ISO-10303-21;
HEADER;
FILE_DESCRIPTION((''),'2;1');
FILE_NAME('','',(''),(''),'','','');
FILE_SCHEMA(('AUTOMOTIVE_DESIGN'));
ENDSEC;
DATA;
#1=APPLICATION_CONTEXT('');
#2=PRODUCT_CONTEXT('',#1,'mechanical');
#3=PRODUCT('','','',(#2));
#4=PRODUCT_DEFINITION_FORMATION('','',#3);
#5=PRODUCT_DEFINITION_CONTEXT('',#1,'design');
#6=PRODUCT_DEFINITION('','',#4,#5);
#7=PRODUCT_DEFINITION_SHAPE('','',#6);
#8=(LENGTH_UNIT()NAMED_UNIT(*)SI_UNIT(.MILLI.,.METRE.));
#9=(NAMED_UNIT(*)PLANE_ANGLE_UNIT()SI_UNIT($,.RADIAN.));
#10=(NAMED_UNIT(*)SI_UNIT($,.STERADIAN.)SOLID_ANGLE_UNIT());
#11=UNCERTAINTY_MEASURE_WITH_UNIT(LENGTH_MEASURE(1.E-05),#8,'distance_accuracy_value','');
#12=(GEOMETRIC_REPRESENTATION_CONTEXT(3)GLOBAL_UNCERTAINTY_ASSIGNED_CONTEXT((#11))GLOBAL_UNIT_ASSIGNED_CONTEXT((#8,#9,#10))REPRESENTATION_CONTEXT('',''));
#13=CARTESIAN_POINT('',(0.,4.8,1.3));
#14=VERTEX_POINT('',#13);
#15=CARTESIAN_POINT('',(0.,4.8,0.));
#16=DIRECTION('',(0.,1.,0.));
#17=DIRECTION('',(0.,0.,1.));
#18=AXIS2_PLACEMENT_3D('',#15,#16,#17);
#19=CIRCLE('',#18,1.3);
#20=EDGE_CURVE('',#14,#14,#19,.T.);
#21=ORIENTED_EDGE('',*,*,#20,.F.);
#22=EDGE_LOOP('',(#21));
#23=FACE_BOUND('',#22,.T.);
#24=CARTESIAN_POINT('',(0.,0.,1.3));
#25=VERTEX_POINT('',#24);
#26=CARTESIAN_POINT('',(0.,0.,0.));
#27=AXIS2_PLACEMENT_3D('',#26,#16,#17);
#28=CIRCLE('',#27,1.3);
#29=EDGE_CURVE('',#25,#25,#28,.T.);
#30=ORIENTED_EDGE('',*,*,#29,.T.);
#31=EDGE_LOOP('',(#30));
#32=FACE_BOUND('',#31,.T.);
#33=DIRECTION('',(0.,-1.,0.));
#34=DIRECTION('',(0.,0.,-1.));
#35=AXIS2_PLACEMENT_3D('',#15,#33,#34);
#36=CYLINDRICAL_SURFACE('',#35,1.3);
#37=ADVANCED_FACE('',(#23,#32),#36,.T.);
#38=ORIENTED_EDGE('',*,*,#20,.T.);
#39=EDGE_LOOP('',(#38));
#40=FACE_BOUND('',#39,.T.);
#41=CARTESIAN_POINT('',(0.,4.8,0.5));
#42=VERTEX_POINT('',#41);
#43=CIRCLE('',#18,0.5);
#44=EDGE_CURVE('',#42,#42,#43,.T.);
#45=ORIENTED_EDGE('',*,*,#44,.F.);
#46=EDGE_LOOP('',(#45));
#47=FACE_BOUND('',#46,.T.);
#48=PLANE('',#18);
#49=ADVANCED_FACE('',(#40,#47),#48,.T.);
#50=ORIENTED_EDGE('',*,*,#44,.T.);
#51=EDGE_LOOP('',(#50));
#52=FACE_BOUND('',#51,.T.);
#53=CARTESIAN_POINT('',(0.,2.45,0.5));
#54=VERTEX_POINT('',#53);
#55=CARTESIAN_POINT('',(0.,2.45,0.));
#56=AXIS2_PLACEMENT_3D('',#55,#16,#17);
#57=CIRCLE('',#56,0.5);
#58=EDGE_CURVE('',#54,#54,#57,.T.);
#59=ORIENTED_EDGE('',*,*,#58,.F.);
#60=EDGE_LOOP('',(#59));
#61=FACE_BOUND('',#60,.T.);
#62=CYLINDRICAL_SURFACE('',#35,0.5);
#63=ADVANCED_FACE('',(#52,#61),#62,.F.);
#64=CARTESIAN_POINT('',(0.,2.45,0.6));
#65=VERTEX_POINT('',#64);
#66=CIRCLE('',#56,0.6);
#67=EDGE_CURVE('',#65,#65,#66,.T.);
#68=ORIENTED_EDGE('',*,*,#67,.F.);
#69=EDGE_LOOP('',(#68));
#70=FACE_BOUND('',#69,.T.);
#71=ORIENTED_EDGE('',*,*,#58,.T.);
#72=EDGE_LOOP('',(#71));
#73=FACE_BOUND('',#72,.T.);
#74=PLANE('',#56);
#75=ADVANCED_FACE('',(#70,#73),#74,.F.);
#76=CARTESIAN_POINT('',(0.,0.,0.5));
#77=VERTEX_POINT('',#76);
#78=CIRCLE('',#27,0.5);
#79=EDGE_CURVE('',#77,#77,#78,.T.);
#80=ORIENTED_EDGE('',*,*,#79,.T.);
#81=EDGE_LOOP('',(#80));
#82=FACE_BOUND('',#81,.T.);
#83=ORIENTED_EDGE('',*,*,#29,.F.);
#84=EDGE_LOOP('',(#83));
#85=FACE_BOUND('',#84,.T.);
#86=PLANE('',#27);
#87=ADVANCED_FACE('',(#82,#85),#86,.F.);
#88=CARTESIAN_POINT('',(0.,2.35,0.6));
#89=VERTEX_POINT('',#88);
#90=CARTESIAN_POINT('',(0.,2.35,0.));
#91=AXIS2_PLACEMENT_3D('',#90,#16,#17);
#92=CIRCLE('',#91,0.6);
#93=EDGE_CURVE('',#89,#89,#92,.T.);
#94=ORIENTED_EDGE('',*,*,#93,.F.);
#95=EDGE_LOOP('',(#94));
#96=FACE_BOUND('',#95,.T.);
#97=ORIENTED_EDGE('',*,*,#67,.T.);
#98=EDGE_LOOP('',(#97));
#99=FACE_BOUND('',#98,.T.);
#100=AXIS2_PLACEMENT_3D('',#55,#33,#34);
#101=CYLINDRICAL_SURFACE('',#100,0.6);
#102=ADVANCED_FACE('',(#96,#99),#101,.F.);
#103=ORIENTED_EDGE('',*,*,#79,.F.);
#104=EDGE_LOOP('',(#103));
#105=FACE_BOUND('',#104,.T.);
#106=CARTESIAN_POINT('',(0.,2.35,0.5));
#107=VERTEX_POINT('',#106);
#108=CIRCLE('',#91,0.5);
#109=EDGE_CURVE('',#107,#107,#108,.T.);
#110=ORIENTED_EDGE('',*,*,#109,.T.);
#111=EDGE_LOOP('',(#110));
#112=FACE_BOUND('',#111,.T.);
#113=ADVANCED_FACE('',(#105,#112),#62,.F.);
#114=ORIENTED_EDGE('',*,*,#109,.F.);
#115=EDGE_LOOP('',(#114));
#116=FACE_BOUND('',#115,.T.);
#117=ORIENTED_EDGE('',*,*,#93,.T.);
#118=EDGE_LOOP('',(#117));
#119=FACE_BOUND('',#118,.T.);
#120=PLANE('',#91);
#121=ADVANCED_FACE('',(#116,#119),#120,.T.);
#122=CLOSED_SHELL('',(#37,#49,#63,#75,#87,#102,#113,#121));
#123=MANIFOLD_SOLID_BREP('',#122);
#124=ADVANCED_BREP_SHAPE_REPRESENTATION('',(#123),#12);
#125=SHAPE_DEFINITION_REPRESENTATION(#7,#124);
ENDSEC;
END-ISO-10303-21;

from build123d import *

# Parameters (mm, degrees)
SKETCH2_R               = 1.3
SKETCH2_R_2             = 0.5
BOSS_EXTRUDE1_DEPTH     = 4.8
CUT_EXTRUDE1_DEPTH      = 0.05
CUT_EXTRUDE1_DEPTH_BACK = 0.05
SKETCH3_R               = 0.6
SKETCH3_R_2             = 0.5


with BuildPart() as part:
    # Sketch2 → Boss-Extrude1 (new body)
    with BuildSketch(Plane(origin=(0, 0, 0), x_dir=(1, 0, 0), z_dir=(0, 1, 0))):
        with Locations(Location((0, 0, 0), (0, 0, 270))):
            Circle(SKETCH2_R)
        with Locations(Location((0, 0, 0), (0, 0, 270))):
            Circle(SKETCH2_R_2, mode=Mode.SUBTRACT)
    extrude(amount=BOSS_EXTRUDE1_DEPTH)

    # Sketch3 → Cut-Extrude1 (cut, two sides: drawn at the far end of the back side and taken through both)
    with BuildSketch(Plane(origin=(0, 2.4, 0), x_dir=(1, 0, 0), z_dir=(0, 1, 0)).offset(-CUT_EXTRUDE1_DEPTH_BACK)):
        with Locations(Location((0, 0, 0), (0, 0, 270))):
            Circle(SKETCH3_R)
        with Locations(Location((0, 0, 0), (0, 0, 270))):
            Circle(SKETCH3_R_2, mode=Mode.SUBTRACT)
    extrude(amount=CUT_EXTRUDE1_DEPTH + CUT_EXTRUDE1_DEPTH_BACK, mode=Mode.SUBTRACT)


solid = part.part
